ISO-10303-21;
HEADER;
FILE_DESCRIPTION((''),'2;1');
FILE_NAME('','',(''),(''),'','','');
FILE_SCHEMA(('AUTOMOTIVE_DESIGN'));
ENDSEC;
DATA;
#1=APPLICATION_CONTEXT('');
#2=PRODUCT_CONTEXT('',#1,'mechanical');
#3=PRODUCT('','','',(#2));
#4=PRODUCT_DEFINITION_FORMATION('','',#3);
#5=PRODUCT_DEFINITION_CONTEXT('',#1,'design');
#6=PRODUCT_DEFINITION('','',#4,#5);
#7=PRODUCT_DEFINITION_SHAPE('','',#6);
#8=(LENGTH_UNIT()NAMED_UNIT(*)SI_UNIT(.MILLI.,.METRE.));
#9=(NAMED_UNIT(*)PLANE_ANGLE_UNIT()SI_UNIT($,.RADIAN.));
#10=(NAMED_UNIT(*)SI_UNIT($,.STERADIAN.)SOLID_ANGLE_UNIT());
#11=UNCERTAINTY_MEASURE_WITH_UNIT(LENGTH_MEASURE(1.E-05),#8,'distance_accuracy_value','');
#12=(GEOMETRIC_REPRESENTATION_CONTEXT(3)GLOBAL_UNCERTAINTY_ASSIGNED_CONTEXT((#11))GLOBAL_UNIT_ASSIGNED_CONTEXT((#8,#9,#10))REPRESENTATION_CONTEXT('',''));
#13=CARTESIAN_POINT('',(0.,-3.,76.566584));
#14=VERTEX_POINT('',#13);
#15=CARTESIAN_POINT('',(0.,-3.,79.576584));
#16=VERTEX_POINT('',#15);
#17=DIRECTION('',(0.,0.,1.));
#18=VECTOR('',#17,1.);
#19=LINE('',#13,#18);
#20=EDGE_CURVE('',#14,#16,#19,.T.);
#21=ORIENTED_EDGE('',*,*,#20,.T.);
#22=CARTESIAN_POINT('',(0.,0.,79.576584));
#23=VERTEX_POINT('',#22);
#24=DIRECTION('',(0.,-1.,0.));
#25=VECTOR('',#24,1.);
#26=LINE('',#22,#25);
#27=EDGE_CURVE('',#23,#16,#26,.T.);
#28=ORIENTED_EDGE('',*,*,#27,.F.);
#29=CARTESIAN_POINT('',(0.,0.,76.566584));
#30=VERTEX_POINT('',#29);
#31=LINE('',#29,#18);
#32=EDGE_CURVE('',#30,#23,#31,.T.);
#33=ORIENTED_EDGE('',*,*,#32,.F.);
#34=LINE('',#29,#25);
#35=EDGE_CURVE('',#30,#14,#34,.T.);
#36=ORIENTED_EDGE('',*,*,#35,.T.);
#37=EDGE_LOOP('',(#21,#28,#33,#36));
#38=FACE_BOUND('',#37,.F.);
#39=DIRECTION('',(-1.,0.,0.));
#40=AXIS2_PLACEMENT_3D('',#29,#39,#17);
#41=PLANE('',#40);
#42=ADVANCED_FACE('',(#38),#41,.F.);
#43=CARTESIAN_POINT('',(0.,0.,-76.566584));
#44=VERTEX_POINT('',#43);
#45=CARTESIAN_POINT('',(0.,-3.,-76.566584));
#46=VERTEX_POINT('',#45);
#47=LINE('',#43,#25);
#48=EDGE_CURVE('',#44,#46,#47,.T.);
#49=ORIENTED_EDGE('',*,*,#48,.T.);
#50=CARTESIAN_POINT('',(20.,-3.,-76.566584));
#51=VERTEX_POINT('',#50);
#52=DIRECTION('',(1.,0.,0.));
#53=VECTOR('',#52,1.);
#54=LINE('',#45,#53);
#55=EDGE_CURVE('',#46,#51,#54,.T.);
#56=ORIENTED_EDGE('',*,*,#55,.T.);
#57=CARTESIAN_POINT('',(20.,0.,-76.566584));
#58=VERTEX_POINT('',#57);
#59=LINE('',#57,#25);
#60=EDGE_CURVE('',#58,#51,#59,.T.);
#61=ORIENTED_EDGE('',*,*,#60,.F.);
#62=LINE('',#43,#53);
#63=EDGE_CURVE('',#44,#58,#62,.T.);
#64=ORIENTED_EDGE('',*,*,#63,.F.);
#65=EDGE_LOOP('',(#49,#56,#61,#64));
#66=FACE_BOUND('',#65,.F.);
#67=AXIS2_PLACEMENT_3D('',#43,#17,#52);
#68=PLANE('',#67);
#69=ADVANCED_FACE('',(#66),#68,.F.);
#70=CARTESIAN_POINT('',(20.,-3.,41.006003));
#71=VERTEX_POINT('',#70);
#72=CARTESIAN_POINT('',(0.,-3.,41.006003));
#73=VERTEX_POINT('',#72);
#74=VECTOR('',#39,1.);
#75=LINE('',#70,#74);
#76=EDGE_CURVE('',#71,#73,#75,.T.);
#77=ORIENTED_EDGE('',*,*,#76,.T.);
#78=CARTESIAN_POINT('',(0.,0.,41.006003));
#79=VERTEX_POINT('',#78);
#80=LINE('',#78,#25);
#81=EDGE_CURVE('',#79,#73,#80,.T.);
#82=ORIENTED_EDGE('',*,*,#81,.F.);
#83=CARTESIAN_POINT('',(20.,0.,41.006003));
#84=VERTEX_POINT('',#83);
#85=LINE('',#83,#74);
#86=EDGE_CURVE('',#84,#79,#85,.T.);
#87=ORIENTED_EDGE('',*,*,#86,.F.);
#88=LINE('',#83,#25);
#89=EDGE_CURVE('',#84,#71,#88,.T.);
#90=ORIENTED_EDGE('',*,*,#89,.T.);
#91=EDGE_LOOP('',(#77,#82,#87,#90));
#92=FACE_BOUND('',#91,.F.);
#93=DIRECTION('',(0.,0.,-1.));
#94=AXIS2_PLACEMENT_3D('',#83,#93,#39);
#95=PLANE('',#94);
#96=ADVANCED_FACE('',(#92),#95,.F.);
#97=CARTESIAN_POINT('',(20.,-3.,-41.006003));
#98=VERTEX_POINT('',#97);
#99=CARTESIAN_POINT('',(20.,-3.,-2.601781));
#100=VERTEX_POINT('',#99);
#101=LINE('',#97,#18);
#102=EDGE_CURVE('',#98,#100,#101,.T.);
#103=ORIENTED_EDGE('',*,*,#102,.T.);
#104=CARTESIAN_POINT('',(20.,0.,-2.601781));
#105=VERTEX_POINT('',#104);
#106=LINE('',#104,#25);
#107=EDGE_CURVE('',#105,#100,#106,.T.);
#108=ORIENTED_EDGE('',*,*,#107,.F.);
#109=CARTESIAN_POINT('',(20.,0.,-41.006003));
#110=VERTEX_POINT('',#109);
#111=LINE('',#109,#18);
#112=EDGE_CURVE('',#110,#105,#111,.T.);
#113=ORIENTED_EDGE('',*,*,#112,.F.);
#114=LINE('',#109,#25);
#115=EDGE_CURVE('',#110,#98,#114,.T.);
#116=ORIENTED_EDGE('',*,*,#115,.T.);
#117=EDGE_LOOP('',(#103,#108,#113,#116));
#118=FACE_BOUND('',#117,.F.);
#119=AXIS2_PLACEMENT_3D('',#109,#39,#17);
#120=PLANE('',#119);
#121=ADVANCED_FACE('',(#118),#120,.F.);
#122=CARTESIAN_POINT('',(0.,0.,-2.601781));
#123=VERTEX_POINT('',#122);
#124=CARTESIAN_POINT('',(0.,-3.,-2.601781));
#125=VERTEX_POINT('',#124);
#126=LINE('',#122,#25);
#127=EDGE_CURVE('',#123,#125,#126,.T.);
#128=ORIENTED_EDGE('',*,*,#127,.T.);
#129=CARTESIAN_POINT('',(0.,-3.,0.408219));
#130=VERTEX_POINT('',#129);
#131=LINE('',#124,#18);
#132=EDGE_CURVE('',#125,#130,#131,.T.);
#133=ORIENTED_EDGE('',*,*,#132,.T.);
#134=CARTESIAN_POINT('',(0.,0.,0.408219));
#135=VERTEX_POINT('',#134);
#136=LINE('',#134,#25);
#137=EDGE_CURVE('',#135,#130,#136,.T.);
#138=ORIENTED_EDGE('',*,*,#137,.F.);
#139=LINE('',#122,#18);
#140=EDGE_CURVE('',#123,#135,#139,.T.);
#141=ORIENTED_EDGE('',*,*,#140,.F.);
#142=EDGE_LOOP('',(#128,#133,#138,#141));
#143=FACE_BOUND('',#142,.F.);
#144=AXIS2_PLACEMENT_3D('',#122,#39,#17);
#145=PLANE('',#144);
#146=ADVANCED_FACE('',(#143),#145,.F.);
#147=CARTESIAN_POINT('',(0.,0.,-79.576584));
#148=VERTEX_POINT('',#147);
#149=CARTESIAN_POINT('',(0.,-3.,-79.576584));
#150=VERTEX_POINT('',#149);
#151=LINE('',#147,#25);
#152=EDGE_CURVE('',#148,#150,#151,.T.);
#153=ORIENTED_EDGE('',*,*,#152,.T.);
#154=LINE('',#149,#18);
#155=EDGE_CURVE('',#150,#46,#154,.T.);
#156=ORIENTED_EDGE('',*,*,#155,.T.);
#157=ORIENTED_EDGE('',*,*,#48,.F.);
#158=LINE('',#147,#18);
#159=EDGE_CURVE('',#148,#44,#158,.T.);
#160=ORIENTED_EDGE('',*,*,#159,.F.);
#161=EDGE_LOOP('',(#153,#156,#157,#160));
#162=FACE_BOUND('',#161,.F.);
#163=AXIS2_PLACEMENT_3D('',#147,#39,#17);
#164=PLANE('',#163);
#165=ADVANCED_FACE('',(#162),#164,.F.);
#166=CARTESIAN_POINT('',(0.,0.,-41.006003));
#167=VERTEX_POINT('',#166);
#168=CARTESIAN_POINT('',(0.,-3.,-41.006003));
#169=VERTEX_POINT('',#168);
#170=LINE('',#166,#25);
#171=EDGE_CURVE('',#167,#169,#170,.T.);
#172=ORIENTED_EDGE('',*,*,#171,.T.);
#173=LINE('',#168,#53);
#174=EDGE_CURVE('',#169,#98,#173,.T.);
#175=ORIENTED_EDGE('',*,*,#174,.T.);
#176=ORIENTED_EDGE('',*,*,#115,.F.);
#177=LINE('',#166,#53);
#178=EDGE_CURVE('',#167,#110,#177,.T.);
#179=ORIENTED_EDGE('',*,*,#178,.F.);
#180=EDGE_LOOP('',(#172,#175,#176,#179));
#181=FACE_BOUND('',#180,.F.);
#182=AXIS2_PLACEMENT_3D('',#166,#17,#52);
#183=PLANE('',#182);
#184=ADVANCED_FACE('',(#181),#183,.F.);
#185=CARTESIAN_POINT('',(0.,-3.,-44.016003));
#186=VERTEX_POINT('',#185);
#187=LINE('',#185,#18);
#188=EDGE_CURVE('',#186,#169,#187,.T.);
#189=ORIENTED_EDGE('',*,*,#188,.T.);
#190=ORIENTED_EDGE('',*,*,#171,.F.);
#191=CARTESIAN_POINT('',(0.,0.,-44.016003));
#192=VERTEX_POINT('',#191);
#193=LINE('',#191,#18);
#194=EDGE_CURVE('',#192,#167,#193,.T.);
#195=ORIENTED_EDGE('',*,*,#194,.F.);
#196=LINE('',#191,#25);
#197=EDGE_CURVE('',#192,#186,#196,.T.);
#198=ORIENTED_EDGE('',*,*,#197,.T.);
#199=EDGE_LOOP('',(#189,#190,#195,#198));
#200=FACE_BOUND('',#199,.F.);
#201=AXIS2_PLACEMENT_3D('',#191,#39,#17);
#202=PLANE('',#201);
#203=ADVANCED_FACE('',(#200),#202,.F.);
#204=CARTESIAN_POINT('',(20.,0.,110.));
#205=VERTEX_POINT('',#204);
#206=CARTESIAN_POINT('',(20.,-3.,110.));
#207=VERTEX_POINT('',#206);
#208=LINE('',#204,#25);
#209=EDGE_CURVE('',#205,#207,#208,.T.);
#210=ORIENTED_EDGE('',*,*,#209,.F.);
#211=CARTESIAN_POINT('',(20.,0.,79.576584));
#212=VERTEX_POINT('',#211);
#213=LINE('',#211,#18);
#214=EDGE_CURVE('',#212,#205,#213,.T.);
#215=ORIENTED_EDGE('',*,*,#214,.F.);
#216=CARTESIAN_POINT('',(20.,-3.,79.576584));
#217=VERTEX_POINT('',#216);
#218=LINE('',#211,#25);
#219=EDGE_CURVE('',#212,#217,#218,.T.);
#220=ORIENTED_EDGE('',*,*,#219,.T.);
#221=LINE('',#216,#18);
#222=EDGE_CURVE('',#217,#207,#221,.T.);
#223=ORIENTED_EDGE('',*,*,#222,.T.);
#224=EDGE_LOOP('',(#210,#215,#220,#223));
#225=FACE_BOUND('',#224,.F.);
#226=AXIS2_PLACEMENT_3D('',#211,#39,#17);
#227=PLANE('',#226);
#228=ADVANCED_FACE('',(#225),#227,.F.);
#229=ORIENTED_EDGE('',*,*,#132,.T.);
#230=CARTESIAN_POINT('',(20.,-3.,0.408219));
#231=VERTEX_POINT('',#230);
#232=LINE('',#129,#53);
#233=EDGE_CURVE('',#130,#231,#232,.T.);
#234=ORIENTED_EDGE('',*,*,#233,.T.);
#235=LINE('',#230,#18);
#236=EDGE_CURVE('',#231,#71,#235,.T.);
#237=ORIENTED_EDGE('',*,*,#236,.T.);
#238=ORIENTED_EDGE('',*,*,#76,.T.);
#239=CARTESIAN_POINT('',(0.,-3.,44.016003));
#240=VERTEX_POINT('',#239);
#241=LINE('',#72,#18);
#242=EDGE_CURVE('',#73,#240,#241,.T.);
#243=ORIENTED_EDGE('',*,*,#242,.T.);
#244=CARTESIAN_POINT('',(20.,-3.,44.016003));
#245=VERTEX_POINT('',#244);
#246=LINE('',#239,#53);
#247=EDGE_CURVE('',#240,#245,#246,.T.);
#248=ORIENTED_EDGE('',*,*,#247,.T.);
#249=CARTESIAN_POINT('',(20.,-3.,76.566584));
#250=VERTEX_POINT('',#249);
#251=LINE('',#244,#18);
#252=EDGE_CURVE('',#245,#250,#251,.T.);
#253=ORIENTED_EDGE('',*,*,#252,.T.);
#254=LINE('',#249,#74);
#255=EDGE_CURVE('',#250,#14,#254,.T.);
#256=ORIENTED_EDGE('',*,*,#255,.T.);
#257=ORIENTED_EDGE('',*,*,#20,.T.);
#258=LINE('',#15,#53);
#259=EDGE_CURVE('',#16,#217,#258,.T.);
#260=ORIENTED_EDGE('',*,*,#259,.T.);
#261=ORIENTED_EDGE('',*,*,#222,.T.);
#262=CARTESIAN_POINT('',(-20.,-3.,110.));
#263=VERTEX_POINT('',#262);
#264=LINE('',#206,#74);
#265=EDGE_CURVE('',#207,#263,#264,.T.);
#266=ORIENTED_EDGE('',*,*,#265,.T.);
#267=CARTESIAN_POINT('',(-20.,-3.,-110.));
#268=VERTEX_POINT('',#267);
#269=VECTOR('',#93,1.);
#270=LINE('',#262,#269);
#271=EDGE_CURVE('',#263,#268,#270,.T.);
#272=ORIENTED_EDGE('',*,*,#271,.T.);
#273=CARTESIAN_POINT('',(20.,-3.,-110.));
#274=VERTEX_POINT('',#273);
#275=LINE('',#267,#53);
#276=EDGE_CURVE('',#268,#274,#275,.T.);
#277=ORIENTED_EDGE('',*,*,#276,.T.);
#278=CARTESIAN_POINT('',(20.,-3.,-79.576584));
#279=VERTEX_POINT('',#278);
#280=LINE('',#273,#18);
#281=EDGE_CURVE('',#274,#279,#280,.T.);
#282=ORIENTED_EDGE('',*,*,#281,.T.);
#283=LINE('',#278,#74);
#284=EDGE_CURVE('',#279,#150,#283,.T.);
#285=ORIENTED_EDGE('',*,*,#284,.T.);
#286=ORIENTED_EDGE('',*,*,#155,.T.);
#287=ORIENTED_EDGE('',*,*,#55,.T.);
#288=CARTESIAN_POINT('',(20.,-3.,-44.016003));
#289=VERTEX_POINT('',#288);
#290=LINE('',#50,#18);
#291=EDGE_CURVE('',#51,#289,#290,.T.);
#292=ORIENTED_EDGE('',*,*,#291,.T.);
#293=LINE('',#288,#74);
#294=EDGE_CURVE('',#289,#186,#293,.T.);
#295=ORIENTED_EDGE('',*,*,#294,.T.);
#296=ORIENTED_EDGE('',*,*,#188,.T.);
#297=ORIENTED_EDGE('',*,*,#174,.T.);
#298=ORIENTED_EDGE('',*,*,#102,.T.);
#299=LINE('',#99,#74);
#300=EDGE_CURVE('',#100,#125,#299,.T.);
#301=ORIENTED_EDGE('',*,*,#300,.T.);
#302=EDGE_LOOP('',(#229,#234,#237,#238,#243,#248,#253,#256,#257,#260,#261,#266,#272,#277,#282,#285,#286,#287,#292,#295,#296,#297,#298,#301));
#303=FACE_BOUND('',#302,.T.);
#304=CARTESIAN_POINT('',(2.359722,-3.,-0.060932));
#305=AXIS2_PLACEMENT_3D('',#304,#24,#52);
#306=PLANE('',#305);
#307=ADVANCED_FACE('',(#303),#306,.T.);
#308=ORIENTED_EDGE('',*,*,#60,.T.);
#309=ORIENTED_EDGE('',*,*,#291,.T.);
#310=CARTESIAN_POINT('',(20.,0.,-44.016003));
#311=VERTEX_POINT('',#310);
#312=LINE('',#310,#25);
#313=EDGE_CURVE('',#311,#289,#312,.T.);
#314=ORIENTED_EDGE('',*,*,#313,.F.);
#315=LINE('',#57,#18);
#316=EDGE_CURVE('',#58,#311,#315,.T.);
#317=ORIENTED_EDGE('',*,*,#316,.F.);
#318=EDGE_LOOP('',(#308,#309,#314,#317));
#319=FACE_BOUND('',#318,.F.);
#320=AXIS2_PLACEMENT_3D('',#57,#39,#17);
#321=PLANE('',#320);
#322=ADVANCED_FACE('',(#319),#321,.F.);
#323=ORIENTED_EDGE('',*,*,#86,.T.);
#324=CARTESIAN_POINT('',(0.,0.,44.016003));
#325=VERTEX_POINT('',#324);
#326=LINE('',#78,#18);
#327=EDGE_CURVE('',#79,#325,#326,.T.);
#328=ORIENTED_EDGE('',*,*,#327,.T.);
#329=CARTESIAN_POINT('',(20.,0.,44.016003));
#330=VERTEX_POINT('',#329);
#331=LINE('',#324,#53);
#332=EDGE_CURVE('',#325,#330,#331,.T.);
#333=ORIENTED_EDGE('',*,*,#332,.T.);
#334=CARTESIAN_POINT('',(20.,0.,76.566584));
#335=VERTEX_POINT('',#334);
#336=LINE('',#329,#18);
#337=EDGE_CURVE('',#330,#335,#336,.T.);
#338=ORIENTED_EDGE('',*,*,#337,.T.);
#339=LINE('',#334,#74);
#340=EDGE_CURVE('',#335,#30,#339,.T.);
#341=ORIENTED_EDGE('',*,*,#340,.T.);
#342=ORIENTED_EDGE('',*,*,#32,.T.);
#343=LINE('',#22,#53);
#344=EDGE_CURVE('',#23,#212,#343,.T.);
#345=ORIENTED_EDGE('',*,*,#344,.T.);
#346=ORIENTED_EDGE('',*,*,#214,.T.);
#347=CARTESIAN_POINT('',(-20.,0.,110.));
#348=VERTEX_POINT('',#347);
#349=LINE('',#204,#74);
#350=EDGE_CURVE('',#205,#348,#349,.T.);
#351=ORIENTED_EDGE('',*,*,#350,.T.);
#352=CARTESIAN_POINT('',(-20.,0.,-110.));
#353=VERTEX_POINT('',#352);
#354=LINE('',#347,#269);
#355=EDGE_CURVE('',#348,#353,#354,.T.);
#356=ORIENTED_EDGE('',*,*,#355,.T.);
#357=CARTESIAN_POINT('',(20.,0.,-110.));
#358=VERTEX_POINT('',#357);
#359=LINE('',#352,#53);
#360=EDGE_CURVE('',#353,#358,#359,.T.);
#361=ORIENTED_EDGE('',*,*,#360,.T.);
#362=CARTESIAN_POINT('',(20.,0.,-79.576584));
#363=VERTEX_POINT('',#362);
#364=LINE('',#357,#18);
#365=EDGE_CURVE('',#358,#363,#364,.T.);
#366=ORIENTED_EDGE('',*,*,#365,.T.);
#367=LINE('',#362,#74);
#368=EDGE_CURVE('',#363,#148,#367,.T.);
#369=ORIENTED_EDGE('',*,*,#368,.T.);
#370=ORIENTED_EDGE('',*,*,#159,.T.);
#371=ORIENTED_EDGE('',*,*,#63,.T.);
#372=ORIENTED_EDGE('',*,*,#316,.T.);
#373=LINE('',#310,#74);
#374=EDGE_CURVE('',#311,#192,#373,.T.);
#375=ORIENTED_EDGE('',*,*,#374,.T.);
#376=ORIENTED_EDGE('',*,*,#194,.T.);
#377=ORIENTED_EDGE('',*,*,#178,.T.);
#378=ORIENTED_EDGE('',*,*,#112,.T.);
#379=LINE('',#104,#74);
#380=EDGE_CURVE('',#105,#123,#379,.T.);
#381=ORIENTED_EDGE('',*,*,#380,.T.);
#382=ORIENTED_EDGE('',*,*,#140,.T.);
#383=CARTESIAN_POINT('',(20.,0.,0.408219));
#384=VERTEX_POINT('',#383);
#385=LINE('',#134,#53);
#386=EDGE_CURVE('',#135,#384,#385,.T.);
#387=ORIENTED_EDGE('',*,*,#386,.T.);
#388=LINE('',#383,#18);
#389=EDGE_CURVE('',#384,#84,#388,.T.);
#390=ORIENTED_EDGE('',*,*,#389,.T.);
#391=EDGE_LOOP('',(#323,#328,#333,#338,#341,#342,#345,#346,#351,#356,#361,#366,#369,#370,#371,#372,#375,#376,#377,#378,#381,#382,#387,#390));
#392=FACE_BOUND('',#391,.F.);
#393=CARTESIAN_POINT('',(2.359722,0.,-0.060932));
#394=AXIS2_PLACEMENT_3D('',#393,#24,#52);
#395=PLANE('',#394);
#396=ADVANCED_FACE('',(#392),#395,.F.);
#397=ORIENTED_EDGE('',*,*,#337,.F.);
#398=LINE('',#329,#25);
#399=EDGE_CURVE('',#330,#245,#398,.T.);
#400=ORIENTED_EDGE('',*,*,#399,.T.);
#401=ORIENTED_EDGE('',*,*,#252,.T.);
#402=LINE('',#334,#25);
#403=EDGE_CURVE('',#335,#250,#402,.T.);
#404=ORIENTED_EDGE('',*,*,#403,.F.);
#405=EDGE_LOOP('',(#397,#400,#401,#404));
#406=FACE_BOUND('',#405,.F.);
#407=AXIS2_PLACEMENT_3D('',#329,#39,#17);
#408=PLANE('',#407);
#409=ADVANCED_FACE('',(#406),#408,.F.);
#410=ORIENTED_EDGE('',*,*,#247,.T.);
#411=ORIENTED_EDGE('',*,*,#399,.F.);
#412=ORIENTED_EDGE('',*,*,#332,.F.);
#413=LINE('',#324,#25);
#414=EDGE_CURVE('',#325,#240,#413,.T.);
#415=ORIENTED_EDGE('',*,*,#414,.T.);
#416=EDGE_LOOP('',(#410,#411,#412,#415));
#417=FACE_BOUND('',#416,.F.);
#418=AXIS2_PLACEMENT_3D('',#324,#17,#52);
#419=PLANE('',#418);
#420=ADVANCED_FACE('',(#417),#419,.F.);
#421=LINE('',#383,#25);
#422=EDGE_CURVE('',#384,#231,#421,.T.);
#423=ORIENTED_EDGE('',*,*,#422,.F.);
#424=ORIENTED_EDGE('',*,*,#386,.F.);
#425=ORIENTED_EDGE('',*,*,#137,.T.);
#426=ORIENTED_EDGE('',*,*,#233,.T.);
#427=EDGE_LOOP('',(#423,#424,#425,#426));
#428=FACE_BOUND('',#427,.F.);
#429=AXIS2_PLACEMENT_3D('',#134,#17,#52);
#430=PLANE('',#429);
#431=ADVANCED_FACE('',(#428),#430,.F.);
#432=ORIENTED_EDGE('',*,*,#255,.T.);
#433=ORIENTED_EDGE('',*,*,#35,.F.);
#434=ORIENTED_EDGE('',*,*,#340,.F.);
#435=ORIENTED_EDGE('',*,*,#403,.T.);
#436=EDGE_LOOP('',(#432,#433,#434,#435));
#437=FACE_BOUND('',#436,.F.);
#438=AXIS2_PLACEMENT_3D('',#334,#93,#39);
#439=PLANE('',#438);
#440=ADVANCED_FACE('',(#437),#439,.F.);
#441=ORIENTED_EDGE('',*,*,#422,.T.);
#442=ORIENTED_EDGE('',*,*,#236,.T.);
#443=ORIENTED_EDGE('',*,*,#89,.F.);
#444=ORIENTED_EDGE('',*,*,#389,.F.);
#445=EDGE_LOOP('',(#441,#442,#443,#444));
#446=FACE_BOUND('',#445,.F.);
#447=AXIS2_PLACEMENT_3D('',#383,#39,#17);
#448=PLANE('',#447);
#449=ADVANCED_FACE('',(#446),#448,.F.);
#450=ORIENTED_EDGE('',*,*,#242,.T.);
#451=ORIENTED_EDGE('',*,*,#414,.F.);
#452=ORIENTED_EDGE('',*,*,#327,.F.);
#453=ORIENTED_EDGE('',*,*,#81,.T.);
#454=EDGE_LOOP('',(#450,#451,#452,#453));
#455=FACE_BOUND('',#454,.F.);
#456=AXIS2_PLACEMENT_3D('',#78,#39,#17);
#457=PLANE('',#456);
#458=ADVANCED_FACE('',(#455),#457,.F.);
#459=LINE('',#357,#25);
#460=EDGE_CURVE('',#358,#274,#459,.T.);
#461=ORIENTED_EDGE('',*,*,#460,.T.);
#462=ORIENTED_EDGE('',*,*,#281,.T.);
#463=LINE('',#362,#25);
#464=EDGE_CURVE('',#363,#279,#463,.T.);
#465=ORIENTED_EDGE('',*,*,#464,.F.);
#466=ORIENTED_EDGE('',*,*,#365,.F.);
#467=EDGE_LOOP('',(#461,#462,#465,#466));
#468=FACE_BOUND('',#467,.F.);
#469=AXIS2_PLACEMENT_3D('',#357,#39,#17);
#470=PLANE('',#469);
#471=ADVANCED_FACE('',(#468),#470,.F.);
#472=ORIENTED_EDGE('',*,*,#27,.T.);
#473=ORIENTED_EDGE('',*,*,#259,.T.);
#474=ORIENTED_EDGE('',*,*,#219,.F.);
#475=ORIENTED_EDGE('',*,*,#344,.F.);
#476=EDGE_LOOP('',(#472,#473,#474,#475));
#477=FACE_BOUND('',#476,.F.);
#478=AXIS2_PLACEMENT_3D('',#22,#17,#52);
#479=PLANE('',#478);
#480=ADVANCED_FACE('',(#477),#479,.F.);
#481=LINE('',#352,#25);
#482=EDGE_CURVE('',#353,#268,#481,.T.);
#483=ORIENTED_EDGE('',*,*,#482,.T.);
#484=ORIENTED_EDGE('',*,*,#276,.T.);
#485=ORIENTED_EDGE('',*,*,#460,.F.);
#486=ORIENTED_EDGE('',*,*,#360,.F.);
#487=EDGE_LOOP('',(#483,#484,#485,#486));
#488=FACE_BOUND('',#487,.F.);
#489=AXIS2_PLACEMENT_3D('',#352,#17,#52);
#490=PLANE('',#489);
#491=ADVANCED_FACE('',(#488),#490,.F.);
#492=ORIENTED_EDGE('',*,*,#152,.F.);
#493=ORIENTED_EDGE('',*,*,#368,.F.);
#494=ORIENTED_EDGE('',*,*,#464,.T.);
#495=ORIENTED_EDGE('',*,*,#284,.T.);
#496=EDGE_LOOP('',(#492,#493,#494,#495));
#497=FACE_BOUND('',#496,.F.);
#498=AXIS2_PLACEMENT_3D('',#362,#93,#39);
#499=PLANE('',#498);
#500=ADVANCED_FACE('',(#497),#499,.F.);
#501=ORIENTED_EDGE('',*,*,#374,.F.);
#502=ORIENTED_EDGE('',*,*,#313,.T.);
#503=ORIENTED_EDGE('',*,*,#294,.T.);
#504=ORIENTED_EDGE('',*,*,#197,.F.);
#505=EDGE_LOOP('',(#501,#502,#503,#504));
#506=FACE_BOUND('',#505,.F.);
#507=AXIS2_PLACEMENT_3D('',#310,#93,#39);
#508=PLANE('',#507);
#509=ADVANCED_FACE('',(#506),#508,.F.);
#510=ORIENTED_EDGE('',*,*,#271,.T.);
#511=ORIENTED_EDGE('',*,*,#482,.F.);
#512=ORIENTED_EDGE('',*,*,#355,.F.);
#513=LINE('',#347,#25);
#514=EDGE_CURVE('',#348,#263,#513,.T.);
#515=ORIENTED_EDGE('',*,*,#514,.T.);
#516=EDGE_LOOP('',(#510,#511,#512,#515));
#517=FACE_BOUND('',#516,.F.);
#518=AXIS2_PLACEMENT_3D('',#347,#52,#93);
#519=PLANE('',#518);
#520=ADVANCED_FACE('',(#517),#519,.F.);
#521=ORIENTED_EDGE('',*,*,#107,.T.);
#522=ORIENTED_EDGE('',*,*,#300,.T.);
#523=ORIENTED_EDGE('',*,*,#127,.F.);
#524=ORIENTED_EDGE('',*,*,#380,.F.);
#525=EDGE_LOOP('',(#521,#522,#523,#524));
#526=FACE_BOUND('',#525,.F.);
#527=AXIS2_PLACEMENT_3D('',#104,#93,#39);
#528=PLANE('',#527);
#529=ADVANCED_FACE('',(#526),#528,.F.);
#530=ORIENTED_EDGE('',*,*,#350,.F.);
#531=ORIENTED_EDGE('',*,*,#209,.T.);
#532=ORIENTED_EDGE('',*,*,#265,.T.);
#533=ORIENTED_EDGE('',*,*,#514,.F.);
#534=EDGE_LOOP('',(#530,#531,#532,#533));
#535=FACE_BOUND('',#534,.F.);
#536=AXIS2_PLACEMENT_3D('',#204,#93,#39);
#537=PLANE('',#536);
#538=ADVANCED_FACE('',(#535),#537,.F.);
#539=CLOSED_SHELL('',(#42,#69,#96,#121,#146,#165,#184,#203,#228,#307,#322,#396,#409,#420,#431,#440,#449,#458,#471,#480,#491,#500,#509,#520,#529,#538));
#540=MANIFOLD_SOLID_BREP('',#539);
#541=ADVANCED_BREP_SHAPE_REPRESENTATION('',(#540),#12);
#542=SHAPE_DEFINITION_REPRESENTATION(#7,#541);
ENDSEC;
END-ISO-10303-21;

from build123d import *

# Parameters (mm, degrees)
F1_DEPTH = 3


with BuildPart() as f1:
    # F0 (on Front) → F1 (new body)
    with BuildSketch(Plane.XZ):
        Polygon((20, 110), (-20, 110), (-20, -110), (20, -110), (20, -79.576584), (0, -79.576584), (0, -76.566584), (20, -76.566584), (20, -44.016003), (0, -44.016003), (0, -41.006003), (20, -41.006003), (20, -2.601781), (0, -2.601781), (0, 0.408219), (20, 0.408219), (20, 41.006003), (0, 41.006003), (0, 44.016003), (20, 44.016003), (20, 76.566584), (0, 76.566584), (0, 79.576584), (20, 79.576584), align=None)
    extrude(amount=F1_DEPTH)


solid = f1.part
